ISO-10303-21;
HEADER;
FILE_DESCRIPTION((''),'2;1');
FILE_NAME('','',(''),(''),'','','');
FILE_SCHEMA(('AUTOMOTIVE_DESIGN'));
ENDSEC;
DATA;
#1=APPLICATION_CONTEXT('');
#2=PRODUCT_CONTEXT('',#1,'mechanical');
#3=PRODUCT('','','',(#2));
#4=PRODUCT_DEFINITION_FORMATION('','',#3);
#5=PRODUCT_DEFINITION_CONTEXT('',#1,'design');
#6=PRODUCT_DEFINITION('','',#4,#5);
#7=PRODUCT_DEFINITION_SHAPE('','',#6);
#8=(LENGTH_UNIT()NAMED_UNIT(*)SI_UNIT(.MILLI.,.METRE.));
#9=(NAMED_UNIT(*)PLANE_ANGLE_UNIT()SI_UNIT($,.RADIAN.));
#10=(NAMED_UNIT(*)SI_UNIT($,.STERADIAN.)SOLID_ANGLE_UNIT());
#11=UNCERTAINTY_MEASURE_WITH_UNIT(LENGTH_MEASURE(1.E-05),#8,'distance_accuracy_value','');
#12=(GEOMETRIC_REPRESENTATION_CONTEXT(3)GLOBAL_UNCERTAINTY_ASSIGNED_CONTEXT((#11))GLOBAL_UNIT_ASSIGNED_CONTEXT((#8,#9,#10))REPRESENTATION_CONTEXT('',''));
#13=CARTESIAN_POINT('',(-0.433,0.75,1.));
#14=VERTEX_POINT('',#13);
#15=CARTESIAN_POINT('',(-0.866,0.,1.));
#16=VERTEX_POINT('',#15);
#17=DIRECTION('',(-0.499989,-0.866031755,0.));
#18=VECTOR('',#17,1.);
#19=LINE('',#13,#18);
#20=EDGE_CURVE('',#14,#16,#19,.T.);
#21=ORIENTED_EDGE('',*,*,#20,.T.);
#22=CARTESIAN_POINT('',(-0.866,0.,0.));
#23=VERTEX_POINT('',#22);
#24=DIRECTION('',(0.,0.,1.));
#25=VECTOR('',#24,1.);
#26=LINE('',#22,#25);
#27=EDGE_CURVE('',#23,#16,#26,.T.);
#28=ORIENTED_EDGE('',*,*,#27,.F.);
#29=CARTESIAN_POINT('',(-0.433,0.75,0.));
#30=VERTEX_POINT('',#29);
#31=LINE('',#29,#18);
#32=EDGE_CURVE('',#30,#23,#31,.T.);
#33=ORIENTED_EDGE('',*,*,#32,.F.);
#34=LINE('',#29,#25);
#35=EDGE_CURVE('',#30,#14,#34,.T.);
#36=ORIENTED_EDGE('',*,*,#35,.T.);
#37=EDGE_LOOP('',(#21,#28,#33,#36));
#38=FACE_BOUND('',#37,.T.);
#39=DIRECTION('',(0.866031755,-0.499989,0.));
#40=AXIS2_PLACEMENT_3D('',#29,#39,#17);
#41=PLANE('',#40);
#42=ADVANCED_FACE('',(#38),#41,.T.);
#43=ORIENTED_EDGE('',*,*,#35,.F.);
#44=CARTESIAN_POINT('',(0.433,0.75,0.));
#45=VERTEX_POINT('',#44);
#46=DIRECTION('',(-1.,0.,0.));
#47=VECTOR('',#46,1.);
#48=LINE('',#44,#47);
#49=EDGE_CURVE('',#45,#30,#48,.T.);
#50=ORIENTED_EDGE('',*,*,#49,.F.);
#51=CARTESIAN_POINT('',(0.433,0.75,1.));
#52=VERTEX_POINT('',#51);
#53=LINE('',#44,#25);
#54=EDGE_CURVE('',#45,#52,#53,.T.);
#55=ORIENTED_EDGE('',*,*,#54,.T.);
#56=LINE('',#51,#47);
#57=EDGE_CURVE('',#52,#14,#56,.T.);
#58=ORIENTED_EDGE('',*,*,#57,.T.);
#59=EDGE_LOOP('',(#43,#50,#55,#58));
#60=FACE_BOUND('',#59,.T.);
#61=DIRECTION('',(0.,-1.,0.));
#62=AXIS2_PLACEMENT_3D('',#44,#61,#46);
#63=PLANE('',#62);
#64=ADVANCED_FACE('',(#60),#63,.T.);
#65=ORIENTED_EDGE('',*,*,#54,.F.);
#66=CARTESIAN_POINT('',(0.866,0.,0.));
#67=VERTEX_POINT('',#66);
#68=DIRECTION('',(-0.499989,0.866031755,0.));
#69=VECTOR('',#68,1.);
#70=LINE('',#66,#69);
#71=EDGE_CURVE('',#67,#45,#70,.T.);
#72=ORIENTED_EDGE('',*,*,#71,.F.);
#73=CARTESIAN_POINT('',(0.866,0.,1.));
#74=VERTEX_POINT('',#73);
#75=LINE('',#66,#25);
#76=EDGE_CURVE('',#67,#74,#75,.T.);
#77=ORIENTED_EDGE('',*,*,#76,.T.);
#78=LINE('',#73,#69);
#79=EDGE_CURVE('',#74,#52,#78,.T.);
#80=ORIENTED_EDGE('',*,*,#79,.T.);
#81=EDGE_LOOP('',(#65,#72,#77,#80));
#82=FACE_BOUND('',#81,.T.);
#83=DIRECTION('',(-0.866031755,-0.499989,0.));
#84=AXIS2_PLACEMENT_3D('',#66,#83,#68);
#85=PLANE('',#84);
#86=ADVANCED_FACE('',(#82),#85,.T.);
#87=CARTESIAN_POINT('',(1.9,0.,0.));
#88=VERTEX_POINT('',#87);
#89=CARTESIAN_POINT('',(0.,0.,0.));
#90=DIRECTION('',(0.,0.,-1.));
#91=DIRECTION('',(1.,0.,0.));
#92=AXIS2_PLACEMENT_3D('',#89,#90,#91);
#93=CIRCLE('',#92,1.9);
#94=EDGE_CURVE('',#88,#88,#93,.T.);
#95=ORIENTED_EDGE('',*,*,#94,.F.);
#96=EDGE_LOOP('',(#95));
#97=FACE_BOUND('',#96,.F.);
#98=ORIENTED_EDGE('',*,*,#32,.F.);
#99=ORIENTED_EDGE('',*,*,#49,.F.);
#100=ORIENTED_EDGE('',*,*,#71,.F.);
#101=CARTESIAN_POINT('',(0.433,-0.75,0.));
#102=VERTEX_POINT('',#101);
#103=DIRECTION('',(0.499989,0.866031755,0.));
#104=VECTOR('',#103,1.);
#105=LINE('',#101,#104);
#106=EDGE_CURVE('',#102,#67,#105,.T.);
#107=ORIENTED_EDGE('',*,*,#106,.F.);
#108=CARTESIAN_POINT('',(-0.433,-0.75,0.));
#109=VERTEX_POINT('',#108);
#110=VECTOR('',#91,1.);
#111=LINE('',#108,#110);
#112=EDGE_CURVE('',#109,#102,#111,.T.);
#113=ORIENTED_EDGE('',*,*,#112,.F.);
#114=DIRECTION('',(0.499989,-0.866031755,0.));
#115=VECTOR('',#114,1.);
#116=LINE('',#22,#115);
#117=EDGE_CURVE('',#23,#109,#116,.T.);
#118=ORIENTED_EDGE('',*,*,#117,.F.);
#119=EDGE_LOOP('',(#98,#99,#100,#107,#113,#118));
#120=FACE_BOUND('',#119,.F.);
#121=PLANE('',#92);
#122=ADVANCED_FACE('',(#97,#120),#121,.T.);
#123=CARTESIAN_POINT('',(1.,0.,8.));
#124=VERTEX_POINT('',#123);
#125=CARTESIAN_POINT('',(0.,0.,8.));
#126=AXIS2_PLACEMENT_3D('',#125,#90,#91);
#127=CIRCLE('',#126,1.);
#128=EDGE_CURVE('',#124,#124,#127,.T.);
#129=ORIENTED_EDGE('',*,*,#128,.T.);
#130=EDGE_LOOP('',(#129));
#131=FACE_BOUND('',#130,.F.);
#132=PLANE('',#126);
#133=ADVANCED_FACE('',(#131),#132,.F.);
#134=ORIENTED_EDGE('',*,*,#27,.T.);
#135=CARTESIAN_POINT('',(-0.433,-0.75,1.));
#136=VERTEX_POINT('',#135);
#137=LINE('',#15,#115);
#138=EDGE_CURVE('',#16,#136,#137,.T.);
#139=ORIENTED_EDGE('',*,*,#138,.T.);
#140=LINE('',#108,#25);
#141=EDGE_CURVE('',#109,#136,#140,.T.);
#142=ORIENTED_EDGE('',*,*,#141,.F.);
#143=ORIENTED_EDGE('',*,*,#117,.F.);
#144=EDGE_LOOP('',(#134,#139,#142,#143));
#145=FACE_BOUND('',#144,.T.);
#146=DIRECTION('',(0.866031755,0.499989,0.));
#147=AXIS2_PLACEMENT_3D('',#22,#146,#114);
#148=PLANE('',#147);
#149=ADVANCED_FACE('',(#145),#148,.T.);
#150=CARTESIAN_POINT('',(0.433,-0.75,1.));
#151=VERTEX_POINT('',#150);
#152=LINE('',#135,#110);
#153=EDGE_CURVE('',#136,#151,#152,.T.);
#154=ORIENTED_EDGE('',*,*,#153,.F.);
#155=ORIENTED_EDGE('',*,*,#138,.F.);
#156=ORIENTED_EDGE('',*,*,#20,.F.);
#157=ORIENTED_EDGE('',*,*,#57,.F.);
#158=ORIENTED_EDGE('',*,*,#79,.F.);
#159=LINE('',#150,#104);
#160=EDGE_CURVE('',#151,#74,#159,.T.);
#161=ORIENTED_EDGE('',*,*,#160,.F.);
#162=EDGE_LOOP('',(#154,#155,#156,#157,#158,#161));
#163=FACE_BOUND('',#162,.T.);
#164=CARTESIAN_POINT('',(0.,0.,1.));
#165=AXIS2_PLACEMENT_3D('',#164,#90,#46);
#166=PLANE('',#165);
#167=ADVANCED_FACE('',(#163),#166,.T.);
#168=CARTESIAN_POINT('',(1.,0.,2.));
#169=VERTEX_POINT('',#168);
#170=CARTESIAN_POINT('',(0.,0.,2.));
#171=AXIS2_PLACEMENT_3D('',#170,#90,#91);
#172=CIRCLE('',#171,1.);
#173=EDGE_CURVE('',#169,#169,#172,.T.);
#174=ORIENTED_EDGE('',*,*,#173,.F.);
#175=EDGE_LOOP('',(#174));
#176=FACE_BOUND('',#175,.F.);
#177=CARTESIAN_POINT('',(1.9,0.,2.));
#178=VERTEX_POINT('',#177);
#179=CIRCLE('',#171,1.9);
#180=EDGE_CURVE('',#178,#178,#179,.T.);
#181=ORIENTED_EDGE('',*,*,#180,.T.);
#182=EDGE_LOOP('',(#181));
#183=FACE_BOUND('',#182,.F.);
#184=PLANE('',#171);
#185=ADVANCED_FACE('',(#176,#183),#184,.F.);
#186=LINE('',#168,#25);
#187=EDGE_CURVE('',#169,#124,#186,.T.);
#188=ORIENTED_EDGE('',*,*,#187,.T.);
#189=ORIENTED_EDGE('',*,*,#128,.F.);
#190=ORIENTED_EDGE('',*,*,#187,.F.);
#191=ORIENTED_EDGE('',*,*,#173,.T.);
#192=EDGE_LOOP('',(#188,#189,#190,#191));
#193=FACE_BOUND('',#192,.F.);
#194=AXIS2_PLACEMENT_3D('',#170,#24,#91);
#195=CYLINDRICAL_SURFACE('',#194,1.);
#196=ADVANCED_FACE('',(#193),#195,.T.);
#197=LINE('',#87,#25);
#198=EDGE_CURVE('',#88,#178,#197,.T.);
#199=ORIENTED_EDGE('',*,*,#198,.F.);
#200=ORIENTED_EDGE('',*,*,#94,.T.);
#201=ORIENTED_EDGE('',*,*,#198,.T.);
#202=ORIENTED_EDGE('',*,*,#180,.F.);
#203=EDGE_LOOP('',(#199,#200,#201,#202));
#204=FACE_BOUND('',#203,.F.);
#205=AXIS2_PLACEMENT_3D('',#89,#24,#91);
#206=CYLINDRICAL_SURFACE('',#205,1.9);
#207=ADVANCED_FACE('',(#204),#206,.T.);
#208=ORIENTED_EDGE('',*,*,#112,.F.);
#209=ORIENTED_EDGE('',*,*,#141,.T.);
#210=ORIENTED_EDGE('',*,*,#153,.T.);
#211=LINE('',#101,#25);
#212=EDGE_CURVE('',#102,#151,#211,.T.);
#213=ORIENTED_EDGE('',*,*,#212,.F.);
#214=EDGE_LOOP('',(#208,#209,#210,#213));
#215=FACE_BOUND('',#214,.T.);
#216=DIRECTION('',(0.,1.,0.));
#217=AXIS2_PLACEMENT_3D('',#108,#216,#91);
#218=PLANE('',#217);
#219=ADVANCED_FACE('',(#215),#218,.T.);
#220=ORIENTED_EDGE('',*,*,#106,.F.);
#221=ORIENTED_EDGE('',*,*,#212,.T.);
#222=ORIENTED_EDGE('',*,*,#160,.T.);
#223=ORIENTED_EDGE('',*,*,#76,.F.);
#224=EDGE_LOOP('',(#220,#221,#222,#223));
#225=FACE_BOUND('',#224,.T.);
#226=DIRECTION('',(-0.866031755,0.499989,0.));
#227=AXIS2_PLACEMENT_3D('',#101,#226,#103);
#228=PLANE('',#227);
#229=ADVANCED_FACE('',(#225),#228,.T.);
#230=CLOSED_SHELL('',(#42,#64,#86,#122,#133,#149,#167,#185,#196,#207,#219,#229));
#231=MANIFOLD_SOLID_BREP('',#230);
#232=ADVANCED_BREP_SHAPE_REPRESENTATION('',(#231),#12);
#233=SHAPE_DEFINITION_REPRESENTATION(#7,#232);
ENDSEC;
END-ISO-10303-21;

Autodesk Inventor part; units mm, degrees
ref_plane "YZ Plane" through (0, 0, 0) normal (1, 0, 0) x (0, 1, 0)
ref_plane "XZ Plane" through (0, 0, 0) normal (0, 1, 0) x (-1, 0, 0)
ref_plane "XY Plane" through (0, 0, 0) normal (0, 0, 1) x (1, 0, 0)
sketch "Sketch1" plane through (0, 0, 0) normal (0, 1, 0) x (-1, 0, 0)
  line L0 (0, 0) -> (-1.9, 0)
  line L1 (-1.9, 0) -> (-1.9, 2)
  line L2 (-1.9, 2) -> (-1, 2)
  line L3 (-1, 2) -> (-1, 8)
  line L4 (-1, 8) -> (0, 8)
  line L5 (0, 8) -> (0, 0)
  dimension "ScrewLength" = 6
  dimension "Diameter" = 3.8
  dimension "Metric" = 2
  dimension "HeadLength" = 2
revolve "Revolution1" add sketch "Sketch1" angle 360 about axis through (0, 0, 8) along (0, 0, -1)
thread "Thread1" size "M2x0.4" class "6g" standard "ANSI Metric M Profile" full length
sketch "Sketch2" plane through (0, 0, 0) normal (0, 0, -1) x (-1, 0, 0)
  line L0 (0.433, 0.75) -> (0.866, 0)
  line L1 (0.866, 0) -> (0.433, -0.75)
  line L2 (0.433, -0.75) -> (-0.433, -0.75)
  line L3 (-0.433, -0.75) -> (-0.866, 0)
  line L4 (-0.866, 0) -> (-0.433, 0.75)
  line L5 (-0.433, 0.75) -> (0.433, 0.75)
  point P0 (0, 0)
  point P1 (0, 0)
  dimension "WidthAcrossFlat" = 1.5
extrude "Extrusion1" cut sketch "Sketch2" against normal blind 1
properties part number "UC-0206" material "Stainless Steel AISI 304"
